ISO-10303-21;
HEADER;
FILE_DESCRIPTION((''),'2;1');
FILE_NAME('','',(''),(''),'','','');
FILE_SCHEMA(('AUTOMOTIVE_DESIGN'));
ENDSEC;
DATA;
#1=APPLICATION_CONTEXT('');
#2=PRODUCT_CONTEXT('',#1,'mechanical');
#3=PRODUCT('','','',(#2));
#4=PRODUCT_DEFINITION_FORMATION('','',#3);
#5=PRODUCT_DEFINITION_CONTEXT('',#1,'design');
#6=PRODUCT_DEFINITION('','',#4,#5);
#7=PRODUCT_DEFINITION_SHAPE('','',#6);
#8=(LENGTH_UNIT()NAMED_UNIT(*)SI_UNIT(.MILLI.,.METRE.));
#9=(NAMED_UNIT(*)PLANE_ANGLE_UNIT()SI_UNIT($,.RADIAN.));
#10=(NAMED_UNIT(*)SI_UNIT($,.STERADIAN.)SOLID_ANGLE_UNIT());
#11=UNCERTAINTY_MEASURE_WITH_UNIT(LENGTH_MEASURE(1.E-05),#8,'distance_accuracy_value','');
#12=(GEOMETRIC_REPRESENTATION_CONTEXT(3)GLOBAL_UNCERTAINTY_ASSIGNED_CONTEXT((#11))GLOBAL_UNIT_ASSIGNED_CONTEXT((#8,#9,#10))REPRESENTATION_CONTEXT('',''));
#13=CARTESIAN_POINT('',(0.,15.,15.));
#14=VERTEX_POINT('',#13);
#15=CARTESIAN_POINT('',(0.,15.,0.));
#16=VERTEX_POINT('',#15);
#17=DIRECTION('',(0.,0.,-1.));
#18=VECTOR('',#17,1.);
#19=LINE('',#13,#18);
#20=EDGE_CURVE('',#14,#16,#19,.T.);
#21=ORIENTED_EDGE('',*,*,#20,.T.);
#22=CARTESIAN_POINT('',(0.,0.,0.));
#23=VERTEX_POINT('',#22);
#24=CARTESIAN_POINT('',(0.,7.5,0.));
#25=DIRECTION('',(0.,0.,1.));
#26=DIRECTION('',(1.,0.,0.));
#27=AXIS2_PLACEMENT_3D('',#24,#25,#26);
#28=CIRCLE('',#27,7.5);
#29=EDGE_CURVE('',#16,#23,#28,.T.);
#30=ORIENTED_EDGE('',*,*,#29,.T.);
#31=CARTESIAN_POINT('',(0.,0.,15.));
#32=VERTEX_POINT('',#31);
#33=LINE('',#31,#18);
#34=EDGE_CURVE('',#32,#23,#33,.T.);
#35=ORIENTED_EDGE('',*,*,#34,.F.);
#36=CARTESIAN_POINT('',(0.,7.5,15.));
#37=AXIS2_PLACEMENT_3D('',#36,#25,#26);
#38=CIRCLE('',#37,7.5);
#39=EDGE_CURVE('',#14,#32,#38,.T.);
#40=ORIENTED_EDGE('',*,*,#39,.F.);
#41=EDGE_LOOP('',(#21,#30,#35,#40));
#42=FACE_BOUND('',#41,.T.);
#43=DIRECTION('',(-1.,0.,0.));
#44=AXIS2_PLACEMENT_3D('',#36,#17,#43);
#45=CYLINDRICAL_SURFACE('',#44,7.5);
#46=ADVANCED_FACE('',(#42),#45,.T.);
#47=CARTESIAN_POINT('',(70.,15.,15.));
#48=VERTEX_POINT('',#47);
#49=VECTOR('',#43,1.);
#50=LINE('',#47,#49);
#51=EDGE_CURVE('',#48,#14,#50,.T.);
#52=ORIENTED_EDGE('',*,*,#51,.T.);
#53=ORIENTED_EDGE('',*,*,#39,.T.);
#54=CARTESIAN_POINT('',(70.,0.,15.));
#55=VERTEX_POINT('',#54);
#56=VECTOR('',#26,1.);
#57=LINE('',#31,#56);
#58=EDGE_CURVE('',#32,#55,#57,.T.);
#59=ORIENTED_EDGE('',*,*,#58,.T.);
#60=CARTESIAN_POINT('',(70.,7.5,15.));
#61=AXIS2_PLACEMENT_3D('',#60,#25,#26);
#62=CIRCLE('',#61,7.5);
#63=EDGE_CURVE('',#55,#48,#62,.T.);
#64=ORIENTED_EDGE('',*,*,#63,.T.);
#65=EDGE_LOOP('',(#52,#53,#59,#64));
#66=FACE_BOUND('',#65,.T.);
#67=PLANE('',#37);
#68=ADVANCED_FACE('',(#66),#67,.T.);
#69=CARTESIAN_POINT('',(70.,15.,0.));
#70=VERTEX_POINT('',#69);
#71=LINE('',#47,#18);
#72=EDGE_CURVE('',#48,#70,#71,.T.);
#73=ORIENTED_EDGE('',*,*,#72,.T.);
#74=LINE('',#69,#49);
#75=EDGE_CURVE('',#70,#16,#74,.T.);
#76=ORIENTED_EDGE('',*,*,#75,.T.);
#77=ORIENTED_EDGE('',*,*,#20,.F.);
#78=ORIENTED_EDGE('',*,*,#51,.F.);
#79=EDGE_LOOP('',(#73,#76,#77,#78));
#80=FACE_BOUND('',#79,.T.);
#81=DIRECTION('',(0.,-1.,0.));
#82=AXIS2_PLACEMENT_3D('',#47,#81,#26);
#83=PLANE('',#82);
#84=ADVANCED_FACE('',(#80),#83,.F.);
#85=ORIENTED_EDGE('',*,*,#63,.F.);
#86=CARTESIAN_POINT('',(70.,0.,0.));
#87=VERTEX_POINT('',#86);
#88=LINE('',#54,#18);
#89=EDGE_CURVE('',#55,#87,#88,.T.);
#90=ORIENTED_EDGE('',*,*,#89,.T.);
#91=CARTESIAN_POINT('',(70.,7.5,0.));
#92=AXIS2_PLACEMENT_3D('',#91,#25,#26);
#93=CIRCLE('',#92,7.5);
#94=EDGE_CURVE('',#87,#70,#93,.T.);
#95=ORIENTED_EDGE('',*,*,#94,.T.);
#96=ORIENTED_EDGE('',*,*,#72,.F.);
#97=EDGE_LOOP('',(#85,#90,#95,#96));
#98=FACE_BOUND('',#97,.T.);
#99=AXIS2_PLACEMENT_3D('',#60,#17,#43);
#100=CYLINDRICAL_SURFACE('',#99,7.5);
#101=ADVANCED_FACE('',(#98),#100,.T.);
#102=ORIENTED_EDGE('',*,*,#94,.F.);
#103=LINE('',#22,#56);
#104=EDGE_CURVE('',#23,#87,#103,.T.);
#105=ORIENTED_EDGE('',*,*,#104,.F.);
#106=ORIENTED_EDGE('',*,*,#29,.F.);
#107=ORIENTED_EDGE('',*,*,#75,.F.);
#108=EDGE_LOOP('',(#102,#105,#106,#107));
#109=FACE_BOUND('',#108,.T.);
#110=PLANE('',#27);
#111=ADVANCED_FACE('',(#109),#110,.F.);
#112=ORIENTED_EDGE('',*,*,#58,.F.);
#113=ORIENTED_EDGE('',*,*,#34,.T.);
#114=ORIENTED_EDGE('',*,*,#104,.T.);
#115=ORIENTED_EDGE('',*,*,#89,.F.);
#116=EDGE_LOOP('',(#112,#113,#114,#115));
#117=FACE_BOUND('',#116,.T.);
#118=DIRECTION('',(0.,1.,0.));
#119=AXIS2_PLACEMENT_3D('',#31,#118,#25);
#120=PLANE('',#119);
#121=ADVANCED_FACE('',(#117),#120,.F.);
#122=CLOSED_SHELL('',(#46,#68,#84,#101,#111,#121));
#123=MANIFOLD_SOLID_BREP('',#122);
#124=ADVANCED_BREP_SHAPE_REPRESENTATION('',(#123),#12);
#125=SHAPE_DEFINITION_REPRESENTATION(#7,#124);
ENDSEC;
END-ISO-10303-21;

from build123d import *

# Parameters (mm, degrees)
EXTRUDE_1_DEPTH = 15


with BuildPart() as part:
    # 草图1 → 凸台-拉伸1 (new body)
    with BuildSketch(Plane.XY):
        with BuildLine():
            Line((0, 0), (70, 0))
            ThreePointArc((70, 0), (77.5, 7.5), (70, 15))
            Line((70, 15), (0, 15))
            ThreePointArc((0, 15), (-7.5, 7.5), (0, 0))
        make_face()
    extrude(amount=EXTRUDE_1_DEPTH)


solid = part.part
